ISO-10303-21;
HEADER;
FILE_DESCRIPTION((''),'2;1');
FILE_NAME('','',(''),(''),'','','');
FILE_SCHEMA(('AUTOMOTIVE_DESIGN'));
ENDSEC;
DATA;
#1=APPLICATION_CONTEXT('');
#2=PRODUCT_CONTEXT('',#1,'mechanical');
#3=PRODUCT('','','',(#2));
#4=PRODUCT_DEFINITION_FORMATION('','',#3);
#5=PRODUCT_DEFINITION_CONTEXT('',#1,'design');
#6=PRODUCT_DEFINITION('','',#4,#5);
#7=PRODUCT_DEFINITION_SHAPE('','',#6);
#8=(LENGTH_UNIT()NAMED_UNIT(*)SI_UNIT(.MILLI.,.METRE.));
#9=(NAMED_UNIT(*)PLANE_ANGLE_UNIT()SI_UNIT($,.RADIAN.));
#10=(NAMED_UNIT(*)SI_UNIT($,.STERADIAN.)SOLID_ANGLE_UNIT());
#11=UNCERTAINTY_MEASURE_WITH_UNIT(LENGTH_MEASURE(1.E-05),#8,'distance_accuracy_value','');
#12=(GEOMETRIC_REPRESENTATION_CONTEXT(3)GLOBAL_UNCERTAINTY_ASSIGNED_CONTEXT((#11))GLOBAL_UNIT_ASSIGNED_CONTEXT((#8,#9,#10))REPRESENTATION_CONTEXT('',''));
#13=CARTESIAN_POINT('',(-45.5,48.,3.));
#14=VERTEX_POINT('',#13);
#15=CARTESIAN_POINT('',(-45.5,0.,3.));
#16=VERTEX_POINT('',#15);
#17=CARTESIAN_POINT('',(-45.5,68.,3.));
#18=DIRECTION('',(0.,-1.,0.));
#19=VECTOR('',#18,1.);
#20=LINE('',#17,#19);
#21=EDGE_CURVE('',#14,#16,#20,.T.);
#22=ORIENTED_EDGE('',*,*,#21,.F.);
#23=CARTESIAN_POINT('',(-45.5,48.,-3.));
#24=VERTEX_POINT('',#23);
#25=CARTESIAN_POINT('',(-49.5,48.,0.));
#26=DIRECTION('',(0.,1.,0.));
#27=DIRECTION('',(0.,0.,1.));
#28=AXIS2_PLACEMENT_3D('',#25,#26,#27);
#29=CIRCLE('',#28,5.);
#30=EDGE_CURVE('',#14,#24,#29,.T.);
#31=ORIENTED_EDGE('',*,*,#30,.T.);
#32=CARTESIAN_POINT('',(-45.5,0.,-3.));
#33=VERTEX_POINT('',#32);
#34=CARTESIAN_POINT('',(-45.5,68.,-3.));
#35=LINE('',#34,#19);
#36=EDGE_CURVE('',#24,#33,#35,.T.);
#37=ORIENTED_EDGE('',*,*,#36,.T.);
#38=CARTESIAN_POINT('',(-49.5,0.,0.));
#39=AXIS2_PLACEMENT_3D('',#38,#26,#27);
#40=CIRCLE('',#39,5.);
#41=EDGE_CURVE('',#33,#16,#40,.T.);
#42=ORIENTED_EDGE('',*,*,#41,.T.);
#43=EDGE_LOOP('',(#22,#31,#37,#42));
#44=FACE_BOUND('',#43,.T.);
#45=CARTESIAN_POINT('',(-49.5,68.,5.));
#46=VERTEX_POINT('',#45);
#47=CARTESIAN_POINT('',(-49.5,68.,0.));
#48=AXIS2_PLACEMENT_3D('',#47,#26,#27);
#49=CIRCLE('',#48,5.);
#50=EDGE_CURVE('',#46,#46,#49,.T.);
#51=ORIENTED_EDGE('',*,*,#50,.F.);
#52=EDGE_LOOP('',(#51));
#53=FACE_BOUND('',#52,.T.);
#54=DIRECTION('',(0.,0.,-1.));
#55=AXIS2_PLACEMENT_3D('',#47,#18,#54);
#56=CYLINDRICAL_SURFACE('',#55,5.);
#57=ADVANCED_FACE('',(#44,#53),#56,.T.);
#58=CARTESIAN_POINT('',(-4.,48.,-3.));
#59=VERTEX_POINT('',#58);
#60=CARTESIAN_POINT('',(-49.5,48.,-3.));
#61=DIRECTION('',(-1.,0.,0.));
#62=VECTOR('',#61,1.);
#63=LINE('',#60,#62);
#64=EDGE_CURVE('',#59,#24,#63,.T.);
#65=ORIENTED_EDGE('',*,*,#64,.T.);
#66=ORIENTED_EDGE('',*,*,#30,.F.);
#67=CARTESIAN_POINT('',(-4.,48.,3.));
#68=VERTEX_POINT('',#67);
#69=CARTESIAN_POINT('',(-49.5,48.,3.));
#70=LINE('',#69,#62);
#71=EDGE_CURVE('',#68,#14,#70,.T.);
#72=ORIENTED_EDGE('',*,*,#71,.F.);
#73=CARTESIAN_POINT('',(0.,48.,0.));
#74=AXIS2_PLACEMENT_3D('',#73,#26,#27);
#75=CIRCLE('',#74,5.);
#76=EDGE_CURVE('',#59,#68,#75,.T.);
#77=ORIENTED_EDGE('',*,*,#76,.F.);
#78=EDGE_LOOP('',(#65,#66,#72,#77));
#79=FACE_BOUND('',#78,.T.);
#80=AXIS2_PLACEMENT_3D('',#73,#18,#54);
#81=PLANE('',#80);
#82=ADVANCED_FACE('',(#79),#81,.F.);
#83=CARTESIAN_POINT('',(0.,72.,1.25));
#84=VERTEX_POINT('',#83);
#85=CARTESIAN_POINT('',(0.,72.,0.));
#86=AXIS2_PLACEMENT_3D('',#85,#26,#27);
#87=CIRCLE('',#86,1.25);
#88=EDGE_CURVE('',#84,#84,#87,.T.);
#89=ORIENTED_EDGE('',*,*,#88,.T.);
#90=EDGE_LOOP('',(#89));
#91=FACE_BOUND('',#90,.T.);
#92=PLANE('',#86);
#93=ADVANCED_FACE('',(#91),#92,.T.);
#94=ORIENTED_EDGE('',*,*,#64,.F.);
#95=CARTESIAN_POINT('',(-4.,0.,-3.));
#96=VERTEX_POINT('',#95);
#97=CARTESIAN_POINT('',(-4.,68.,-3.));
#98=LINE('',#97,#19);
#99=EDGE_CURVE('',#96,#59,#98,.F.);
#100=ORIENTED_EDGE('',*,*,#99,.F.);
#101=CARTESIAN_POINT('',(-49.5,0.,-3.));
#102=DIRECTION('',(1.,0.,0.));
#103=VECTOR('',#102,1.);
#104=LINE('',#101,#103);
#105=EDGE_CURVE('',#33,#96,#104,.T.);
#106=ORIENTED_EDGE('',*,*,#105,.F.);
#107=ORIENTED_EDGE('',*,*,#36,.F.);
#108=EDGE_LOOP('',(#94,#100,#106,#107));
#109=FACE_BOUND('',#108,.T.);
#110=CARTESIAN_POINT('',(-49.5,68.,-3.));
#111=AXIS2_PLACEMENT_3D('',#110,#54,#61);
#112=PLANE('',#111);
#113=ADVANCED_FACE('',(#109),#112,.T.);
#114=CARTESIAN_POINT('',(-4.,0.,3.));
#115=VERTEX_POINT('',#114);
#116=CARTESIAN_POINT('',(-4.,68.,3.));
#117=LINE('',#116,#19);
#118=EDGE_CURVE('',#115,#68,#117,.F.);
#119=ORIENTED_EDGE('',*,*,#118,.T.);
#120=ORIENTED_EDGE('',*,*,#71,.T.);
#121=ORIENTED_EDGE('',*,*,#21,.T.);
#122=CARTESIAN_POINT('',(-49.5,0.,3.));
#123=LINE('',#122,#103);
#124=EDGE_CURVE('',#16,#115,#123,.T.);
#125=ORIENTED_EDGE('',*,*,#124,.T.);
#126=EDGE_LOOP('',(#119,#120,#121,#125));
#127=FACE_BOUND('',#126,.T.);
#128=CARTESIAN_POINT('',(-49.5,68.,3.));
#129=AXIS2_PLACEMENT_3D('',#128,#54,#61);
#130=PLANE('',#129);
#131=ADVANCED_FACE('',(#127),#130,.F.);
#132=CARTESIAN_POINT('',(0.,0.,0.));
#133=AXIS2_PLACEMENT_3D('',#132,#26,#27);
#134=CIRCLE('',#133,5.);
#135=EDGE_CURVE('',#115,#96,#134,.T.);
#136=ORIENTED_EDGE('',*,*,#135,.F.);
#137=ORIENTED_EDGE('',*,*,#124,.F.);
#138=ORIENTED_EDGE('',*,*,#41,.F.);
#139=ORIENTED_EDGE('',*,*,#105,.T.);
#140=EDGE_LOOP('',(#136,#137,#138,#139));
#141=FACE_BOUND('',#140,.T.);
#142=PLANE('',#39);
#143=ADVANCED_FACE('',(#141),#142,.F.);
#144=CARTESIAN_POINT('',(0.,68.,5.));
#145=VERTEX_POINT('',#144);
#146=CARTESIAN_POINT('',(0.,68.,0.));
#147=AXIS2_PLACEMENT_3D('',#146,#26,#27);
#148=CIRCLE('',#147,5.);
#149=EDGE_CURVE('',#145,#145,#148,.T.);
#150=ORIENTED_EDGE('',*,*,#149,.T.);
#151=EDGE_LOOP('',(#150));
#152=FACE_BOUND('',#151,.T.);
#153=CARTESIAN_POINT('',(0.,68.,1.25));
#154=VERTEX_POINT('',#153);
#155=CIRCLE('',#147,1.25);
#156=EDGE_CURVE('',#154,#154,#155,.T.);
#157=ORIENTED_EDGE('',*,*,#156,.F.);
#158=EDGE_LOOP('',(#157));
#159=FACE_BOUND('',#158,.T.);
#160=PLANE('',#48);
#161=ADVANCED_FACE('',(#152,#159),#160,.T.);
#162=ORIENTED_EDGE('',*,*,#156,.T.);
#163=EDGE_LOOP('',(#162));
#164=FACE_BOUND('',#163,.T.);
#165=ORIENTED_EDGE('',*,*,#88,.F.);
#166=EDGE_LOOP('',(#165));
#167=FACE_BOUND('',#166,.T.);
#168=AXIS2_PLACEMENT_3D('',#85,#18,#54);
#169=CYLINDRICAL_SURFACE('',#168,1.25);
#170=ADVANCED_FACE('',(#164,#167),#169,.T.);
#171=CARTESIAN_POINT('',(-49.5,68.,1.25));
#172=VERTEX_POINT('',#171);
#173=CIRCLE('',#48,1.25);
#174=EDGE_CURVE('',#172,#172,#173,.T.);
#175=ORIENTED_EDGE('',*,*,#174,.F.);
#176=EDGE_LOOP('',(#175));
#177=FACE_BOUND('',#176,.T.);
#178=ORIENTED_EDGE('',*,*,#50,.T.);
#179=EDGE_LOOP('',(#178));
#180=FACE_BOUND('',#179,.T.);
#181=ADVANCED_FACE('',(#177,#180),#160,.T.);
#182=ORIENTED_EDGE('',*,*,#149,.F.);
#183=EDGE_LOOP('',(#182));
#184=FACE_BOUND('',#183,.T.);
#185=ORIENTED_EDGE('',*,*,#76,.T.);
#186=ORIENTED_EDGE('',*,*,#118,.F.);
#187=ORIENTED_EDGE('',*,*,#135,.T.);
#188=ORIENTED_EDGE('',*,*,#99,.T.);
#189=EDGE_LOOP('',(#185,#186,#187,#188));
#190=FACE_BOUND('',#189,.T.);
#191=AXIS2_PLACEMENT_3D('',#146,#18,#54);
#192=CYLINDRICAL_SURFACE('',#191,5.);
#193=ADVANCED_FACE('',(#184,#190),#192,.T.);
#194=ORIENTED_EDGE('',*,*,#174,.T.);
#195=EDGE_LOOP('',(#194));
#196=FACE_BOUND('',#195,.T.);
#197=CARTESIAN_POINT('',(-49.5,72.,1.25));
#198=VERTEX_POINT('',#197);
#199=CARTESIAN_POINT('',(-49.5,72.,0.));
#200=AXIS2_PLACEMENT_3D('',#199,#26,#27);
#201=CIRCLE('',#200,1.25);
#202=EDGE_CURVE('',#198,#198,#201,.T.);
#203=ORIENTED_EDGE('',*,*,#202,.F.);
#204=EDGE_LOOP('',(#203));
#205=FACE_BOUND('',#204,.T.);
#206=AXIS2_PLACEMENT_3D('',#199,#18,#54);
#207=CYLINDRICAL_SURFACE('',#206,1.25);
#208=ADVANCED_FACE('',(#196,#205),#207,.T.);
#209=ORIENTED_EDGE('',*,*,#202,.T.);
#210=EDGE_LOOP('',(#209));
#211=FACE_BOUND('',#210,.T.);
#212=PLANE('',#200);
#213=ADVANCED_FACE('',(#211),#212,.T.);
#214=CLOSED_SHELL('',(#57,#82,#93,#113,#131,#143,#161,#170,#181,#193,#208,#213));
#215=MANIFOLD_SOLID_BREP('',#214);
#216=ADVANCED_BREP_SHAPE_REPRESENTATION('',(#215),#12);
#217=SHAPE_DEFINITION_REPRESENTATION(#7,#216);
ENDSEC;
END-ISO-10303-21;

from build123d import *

# Parameters (mm, degrees)
SKETCH1_R           = 5
SKETCH1_W           = 49.5
SKETCH1_H           = 6
BOSS_EXTRUDE2_DEPTH = 68
SKETCH2_R           = 1.25
BOSS_EXTRUDE3_DEPTH = 4
CUT_EXTRUDE1_START  = -20
SKETCH3_W           = 77.654098362
SKETCH3_H           = 40.574365012
SKETCH3_R           = 5
CUT_EXTRUDE1_DEPTH  = 20


with BuildPart() as part:
    # Sketch1 → Boss-Extrude2 (new body)
    with BuildSketch(Plane(origin=(0, 0, 0), x_dir=(1, 0, 0), z_dir=(0, 1, 0))):
        Circle(SKETCH1_R)
        with Locations((-49.5, 0)):
            Circle(SKETCH1_R)
        with Locations((-24.75, 0)):
            Rectangle(SKETCH1_W, SKETCH1_H)
    extrude(amount=BOSS_EXTRUDE2_DEPTH)

    # Sketch2 → Boss-Extrude3 (add)
    with BuildSketch(Plane(origin=(0, 68, 0), x_dir=(1, 0, 0), z_dir=(0, 1, 0))):
        with Locations(Location((0, 0, 0), (0, 0, 270))):
            Circle(SKETCH2_R)
        with Locations(Location((-49.5, 0, 0), (0, 0, 270))):
            Circle(SKETCH2_R)
    extrude(amount=BOSS_EXTRUDE3_DEPTH)

    # Sketch3 → Cut-Extrude1 (cut)
    with BuildSketch(Plane(origin=(0, 68, 0), x_dir=(1, 0, 0), z_dir=(0, 1, 0)).offset(CUT_EXTRUDE1_START)):
        with Locations((-24.75, -3)):
            Rectangle(SKETCH3_W, SKETCH3_H)
        with Locations(Location((-49.5, 0, 0), (0, 0, 36.869897646))):
            Circle(SKETCH3_R, mode=Mode.SUBTRACT)
        with Locations(Location((0, 0, 0), (0, 0, 143.130102354))):
            Circle(SKETCH3_R, mode=Mode.SUBTRACT)
    extrude(amount=CUT_EXTRUDE1_DEPTH, mode=Mode.SUBTRACT)


solid = part.part
